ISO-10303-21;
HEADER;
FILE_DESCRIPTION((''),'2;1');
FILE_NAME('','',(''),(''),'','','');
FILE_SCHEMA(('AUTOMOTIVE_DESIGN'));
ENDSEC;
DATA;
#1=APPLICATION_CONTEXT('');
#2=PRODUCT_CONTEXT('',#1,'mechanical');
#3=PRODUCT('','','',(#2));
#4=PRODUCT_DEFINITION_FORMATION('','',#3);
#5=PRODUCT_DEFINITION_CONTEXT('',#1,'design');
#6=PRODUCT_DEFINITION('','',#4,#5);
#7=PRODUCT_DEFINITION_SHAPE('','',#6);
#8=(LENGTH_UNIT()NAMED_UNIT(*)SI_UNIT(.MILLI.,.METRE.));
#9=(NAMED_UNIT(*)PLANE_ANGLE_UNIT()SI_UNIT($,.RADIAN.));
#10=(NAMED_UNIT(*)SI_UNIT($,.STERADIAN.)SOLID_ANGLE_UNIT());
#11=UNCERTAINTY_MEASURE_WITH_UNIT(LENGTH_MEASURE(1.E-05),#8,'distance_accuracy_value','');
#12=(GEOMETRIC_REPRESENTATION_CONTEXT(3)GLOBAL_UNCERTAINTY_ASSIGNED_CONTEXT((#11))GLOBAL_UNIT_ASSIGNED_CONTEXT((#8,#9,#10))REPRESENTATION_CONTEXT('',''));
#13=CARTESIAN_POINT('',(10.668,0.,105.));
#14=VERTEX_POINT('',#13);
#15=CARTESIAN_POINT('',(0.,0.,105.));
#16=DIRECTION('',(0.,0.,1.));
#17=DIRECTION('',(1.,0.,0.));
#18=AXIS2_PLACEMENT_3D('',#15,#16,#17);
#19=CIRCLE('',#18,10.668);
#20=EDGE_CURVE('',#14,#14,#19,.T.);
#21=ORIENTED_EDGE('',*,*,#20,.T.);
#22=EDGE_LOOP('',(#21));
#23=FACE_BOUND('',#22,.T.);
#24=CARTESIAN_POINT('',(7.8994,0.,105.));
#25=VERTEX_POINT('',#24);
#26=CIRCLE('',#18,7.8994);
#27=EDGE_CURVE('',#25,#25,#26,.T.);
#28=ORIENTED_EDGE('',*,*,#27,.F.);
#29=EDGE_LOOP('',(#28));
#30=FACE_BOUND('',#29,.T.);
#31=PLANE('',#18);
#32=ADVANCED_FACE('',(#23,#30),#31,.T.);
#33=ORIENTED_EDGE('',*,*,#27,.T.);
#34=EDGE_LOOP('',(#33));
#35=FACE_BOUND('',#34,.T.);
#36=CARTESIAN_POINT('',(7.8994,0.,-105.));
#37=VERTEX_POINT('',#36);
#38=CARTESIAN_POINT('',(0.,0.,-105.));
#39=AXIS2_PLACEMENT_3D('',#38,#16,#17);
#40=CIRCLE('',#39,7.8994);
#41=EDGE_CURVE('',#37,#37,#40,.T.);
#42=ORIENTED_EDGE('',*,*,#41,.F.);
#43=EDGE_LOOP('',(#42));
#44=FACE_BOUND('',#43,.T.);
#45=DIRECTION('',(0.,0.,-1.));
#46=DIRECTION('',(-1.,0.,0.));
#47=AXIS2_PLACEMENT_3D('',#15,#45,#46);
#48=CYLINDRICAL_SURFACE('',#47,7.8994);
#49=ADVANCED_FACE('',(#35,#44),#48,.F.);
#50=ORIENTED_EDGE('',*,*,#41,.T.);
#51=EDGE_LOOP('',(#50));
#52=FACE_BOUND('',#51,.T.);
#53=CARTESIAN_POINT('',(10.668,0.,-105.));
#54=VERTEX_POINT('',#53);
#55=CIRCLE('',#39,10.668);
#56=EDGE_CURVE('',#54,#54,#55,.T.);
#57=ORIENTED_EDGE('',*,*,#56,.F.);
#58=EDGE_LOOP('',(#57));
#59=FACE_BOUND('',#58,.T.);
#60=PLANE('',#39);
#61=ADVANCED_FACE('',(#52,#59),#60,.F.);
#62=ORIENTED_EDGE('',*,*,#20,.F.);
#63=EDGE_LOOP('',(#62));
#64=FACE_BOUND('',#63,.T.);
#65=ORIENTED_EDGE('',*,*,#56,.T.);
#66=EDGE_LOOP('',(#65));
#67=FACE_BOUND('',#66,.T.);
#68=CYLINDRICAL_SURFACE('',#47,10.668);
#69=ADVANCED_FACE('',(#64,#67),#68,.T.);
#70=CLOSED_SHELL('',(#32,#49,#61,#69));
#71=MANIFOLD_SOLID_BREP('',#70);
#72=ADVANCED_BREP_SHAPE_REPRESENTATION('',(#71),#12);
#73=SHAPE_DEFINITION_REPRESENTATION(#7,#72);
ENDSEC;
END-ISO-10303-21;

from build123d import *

# Parameters (mm, degrees)
SKETCH1_R           = 10.668
SKETCH1_R_2         = 7.8994
EXTRUDE_THIN1_DEPTH = 105


with BuildPart() as part:
    # Sketch1 → Extrude-Thin1 (new body, symmetric)
    with BuildSketch(Plane.XY):
        Circle(SKETCH1_R)
        Circle(SKETCH1_R_2, mode=Mode.SUBTRACT)
    extrude(amount=EXTRUDE_THIN1_DEPTH, both=True)


solid = part.part
